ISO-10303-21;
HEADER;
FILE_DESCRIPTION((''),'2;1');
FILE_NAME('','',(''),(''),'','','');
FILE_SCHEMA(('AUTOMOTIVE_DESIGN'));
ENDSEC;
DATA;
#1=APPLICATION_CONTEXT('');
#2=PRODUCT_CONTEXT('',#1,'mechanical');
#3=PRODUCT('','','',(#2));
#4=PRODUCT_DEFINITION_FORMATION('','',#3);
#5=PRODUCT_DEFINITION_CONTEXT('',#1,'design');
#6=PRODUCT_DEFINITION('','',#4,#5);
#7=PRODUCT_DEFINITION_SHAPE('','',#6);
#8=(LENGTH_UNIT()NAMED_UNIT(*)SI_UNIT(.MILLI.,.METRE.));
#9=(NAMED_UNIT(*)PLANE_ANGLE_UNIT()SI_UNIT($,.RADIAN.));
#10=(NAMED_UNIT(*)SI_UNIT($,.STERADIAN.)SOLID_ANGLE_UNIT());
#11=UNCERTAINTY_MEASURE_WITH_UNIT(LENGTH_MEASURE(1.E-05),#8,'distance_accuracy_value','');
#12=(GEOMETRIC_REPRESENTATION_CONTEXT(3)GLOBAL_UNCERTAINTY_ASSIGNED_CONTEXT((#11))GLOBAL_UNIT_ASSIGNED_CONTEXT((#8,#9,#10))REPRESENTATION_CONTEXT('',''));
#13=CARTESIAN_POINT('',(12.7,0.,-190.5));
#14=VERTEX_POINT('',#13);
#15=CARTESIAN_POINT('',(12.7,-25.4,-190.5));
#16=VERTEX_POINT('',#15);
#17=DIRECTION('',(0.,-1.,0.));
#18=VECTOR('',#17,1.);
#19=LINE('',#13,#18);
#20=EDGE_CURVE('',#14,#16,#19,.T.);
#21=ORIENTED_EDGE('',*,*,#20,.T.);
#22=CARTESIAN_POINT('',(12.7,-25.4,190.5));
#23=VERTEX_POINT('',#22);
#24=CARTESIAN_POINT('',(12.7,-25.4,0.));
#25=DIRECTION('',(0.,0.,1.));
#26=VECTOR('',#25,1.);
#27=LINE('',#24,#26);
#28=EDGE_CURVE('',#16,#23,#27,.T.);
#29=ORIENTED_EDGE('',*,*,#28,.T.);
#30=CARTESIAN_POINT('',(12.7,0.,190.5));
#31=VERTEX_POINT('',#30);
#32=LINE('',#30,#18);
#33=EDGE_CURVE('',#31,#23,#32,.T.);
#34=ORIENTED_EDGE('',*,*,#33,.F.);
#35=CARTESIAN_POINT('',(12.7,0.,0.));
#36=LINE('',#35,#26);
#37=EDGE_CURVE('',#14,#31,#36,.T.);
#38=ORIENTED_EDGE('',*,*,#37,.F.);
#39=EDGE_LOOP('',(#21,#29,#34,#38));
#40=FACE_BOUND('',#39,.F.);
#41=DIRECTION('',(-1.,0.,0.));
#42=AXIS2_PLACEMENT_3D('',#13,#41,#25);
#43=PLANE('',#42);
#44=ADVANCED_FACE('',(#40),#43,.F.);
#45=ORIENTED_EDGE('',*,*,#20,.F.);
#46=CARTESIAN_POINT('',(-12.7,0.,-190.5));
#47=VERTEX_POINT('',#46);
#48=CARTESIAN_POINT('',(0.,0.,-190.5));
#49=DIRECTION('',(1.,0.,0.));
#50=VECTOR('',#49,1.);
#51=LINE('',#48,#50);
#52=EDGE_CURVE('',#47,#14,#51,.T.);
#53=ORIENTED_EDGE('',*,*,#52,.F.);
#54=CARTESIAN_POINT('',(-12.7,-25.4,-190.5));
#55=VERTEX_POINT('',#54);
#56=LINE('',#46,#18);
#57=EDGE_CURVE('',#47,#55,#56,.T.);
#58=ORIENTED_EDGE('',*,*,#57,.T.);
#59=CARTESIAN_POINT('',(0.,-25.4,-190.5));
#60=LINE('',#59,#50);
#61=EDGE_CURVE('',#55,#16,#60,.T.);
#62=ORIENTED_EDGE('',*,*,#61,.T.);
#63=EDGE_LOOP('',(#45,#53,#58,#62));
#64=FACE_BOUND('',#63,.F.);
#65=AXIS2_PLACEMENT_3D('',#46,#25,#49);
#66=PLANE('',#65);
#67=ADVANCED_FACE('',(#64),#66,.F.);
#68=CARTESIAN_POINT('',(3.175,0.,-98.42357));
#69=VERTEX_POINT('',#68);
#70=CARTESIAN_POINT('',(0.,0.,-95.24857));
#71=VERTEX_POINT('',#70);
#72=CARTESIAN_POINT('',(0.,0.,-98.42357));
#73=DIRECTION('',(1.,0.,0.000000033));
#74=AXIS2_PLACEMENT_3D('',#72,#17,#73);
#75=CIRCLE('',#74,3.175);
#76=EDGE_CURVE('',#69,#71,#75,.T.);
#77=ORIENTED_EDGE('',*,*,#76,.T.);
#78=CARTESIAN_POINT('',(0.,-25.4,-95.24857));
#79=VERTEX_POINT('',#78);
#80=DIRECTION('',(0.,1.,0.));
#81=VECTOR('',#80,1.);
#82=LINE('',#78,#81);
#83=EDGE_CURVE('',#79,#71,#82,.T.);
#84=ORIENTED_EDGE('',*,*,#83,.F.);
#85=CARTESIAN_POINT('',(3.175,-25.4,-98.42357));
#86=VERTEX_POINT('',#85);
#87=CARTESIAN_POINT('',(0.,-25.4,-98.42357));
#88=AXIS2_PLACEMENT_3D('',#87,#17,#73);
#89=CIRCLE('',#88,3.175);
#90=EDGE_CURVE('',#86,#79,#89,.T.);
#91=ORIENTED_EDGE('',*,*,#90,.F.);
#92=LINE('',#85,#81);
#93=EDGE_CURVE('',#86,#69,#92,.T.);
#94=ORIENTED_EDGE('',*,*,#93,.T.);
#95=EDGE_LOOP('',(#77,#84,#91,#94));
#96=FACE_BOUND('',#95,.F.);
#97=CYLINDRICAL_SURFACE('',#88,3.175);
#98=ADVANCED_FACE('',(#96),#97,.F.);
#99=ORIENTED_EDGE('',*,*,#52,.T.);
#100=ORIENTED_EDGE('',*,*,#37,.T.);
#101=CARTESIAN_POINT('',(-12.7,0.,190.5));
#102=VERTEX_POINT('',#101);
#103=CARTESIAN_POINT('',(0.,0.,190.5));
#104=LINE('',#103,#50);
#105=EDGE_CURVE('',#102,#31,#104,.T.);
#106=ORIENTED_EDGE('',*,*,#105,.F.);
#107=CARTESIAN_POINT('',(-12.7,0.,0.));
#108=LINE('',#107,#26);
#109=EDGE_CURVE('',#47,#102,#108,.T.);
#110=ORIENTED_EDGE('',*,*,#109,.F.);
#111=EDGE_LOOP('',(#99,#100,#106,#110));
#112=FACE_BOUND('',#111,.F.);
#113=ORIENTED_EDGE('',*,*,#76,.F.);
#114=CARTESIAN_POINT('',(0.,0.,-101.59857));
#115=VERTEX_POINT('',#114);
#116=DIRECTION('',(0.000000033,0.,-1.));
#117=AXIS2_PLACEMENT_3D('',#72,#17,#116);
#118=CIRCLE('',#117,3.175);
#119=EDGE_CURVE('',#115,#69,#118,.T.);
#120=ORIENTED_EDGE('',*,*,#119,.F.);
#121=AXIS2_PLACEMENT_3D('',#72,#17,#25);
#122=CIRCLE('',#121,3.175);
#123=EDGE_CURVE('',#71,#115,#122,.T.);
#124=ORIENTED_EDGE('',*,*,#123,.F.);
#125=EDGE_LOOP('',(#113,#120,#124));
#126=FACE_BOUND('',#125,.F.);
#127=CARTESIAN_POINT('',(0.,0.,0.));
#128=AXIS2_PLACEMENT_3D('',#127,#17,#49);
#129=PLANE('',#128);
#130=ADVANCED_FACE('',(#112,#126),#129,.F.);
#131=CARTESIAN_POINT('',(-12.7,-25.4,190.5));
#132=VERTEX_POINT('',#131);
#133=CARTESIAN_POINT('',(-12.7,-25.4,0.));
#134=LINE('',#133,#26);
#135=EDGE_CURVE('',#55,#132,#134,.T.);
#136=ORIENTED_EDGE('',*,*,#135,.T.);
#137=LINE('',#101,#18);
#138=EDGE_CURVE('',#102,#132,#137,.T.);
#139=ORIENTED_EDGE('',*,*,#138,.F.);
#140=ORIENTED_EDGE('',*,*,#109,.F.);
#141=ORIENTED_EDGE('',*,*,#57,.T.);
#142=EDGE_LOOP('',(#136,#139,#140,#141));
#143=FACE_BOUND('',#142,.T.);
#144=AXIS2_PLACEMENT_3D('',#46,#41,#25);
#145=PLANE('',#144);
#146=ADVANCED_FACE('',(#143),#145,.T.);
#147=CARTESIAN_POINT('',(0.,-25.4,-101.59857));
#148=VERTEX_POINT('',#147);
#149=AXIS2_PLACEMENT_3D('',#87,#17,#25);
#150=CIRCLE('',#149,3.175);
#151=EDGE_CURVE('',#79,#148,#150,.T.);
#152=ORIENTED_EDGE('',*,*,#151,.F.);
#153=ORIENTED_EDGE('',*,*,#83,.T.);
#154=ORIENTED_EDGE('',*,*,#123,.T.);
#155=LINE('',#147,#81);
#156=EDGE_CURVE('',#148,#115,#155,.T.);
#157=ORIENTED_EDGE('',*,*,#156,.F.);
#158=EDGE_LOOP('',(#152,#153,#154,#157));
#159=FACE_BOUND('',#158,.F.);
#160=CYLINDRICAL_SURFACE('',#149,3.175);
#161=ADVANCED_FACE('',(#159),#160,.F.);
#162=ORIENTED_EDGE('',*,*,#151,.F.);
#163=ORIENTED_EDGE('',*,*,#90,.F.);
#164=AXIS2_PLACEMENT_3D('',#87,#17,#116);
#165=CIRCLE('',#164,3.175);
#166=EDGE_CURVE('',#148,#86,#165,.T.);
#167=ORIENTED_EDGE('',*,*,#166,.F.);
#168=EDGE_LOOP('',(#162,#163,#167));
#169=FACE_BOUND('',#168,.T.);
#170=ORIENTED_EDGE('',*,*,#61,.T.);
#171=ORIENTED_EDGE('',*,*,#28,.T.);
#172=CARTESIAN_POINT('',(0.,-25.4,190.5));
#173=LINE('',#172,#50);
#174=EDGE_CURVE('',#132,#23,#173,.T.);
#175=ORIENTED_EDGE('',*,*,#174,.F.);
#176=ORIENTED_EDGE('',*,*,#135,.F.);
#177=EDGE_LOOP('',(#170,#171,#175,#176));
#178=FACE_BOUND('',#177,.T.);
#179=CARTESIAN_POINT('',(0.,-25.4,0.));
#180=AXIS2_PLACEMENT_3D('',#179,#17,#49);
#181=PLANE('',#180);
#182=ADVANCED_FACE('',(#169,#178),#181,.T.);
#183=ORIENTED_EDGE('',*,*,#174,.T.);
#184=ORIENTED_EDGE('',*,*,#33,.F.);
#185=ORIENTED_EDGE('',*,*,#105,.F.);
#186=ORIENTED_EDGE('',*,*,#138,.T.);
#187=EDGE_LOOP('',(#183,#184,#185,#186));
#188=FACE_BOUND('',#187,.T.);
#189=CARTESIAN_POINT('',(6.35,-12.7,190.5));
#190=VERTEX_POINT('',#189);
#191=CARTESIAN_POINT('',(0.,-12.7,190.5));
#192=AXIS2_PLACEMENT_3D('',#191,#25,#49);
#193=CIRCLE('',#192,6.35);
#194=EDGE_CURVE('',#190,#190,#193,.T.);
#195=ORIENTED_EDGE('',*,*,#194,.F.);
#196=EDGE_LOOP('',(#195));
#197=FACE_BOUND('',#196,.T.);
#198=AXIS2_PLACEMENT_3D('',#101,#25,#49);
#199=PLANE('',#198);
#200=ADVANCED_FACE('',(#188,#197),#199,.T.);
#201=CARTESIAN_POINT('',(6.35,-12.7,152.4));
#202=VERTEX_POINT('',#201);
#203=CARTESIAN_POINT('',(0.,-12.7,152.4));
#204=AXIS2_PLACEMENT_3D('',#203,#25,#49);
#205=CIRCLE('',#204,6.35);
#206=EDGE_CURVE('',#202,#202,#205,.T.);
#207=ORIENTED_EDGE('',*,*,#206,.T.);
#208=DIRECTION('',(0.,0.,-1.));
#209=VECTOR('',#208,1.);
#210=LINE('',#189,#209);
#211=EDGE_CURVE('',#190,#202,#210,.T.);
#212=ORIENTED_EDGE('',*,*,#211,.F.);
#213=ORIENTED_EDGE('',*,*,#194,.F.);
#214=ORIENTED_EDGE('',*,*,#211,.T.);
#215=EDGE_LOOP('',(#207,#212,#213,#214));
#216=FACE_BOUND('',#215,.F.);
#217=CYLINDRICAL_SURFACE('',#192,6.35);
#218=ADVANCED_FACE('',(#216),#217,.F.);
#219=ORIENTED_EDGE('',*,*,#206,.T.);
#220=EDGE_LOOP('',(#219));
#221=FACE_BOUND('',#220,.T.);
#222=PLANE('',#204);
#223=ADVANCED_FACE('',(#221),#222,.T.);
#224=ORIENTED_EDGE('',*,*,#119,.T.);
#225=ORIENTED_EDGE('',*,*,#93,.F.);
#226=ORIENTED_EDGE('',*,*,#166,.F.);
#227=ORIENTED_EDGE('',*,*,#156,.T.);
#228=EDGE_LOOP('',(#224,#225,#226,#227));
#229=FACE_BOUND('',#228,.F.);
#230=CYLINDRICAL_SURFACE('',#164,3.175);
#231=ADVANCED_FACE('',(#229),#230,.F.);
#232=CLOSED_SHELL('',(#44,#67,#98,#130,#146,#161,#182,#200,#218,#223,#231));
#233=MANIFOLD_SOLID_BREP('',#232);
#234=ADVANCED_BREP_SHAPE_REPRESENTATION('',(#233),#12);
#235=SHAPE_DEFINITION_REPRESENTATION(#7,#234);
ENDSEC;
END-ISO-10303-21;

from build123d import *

# Parameters (mm, degrees)
F0_W     = 25.4
F0_H     = 381
F1_DEPTH = 25.4
F2_R     = 6.35
F3_DEPTH = 38.1
F5_DEPTH = 25.401


with BuildPart() as f1:
    # F0 (on Front) → F1 (new body)
    with BuildSketch(Plane.XZ):
        Rectangle(F0_W, F0_H)
    extrude(amount=F1_DEPTH)

    # F2 (on face) → F3 (cut)
    with BuildSketch(Plane.XY.offset(190.5)):
        with Locations((0, -12.7)):
            Circle(F2_R)
    extrude(amount=-F3_DEPTH, mode=Mode.SUBTRACT)

    # F4 (on face) → F5 (cut, through all)
    with BuildSketch(Plane.XZ.offset(25.4)):
        with BuildLine():
            ThreePointArc((0, -95.24857), (-3.175, -98.42357), (0, -101.59857))
            Line((0, -101.59857), (0, -95.24857))
        make_face()
        with BuildLine():
            Line((0, -95.24857), (0, -101.59857))
            ThreePointArc((0, -101.59857), (2.245064, -100.668634), (3.175, -98.42357))
            ThreePointArc((3.175, -98.42357), (2.245064, -96.178506), (0, -95.24857))
        make_face()
    extrude(amount=-F5_DEPTH, mode=Mode.SUBTRACT)


solid = f1.part
